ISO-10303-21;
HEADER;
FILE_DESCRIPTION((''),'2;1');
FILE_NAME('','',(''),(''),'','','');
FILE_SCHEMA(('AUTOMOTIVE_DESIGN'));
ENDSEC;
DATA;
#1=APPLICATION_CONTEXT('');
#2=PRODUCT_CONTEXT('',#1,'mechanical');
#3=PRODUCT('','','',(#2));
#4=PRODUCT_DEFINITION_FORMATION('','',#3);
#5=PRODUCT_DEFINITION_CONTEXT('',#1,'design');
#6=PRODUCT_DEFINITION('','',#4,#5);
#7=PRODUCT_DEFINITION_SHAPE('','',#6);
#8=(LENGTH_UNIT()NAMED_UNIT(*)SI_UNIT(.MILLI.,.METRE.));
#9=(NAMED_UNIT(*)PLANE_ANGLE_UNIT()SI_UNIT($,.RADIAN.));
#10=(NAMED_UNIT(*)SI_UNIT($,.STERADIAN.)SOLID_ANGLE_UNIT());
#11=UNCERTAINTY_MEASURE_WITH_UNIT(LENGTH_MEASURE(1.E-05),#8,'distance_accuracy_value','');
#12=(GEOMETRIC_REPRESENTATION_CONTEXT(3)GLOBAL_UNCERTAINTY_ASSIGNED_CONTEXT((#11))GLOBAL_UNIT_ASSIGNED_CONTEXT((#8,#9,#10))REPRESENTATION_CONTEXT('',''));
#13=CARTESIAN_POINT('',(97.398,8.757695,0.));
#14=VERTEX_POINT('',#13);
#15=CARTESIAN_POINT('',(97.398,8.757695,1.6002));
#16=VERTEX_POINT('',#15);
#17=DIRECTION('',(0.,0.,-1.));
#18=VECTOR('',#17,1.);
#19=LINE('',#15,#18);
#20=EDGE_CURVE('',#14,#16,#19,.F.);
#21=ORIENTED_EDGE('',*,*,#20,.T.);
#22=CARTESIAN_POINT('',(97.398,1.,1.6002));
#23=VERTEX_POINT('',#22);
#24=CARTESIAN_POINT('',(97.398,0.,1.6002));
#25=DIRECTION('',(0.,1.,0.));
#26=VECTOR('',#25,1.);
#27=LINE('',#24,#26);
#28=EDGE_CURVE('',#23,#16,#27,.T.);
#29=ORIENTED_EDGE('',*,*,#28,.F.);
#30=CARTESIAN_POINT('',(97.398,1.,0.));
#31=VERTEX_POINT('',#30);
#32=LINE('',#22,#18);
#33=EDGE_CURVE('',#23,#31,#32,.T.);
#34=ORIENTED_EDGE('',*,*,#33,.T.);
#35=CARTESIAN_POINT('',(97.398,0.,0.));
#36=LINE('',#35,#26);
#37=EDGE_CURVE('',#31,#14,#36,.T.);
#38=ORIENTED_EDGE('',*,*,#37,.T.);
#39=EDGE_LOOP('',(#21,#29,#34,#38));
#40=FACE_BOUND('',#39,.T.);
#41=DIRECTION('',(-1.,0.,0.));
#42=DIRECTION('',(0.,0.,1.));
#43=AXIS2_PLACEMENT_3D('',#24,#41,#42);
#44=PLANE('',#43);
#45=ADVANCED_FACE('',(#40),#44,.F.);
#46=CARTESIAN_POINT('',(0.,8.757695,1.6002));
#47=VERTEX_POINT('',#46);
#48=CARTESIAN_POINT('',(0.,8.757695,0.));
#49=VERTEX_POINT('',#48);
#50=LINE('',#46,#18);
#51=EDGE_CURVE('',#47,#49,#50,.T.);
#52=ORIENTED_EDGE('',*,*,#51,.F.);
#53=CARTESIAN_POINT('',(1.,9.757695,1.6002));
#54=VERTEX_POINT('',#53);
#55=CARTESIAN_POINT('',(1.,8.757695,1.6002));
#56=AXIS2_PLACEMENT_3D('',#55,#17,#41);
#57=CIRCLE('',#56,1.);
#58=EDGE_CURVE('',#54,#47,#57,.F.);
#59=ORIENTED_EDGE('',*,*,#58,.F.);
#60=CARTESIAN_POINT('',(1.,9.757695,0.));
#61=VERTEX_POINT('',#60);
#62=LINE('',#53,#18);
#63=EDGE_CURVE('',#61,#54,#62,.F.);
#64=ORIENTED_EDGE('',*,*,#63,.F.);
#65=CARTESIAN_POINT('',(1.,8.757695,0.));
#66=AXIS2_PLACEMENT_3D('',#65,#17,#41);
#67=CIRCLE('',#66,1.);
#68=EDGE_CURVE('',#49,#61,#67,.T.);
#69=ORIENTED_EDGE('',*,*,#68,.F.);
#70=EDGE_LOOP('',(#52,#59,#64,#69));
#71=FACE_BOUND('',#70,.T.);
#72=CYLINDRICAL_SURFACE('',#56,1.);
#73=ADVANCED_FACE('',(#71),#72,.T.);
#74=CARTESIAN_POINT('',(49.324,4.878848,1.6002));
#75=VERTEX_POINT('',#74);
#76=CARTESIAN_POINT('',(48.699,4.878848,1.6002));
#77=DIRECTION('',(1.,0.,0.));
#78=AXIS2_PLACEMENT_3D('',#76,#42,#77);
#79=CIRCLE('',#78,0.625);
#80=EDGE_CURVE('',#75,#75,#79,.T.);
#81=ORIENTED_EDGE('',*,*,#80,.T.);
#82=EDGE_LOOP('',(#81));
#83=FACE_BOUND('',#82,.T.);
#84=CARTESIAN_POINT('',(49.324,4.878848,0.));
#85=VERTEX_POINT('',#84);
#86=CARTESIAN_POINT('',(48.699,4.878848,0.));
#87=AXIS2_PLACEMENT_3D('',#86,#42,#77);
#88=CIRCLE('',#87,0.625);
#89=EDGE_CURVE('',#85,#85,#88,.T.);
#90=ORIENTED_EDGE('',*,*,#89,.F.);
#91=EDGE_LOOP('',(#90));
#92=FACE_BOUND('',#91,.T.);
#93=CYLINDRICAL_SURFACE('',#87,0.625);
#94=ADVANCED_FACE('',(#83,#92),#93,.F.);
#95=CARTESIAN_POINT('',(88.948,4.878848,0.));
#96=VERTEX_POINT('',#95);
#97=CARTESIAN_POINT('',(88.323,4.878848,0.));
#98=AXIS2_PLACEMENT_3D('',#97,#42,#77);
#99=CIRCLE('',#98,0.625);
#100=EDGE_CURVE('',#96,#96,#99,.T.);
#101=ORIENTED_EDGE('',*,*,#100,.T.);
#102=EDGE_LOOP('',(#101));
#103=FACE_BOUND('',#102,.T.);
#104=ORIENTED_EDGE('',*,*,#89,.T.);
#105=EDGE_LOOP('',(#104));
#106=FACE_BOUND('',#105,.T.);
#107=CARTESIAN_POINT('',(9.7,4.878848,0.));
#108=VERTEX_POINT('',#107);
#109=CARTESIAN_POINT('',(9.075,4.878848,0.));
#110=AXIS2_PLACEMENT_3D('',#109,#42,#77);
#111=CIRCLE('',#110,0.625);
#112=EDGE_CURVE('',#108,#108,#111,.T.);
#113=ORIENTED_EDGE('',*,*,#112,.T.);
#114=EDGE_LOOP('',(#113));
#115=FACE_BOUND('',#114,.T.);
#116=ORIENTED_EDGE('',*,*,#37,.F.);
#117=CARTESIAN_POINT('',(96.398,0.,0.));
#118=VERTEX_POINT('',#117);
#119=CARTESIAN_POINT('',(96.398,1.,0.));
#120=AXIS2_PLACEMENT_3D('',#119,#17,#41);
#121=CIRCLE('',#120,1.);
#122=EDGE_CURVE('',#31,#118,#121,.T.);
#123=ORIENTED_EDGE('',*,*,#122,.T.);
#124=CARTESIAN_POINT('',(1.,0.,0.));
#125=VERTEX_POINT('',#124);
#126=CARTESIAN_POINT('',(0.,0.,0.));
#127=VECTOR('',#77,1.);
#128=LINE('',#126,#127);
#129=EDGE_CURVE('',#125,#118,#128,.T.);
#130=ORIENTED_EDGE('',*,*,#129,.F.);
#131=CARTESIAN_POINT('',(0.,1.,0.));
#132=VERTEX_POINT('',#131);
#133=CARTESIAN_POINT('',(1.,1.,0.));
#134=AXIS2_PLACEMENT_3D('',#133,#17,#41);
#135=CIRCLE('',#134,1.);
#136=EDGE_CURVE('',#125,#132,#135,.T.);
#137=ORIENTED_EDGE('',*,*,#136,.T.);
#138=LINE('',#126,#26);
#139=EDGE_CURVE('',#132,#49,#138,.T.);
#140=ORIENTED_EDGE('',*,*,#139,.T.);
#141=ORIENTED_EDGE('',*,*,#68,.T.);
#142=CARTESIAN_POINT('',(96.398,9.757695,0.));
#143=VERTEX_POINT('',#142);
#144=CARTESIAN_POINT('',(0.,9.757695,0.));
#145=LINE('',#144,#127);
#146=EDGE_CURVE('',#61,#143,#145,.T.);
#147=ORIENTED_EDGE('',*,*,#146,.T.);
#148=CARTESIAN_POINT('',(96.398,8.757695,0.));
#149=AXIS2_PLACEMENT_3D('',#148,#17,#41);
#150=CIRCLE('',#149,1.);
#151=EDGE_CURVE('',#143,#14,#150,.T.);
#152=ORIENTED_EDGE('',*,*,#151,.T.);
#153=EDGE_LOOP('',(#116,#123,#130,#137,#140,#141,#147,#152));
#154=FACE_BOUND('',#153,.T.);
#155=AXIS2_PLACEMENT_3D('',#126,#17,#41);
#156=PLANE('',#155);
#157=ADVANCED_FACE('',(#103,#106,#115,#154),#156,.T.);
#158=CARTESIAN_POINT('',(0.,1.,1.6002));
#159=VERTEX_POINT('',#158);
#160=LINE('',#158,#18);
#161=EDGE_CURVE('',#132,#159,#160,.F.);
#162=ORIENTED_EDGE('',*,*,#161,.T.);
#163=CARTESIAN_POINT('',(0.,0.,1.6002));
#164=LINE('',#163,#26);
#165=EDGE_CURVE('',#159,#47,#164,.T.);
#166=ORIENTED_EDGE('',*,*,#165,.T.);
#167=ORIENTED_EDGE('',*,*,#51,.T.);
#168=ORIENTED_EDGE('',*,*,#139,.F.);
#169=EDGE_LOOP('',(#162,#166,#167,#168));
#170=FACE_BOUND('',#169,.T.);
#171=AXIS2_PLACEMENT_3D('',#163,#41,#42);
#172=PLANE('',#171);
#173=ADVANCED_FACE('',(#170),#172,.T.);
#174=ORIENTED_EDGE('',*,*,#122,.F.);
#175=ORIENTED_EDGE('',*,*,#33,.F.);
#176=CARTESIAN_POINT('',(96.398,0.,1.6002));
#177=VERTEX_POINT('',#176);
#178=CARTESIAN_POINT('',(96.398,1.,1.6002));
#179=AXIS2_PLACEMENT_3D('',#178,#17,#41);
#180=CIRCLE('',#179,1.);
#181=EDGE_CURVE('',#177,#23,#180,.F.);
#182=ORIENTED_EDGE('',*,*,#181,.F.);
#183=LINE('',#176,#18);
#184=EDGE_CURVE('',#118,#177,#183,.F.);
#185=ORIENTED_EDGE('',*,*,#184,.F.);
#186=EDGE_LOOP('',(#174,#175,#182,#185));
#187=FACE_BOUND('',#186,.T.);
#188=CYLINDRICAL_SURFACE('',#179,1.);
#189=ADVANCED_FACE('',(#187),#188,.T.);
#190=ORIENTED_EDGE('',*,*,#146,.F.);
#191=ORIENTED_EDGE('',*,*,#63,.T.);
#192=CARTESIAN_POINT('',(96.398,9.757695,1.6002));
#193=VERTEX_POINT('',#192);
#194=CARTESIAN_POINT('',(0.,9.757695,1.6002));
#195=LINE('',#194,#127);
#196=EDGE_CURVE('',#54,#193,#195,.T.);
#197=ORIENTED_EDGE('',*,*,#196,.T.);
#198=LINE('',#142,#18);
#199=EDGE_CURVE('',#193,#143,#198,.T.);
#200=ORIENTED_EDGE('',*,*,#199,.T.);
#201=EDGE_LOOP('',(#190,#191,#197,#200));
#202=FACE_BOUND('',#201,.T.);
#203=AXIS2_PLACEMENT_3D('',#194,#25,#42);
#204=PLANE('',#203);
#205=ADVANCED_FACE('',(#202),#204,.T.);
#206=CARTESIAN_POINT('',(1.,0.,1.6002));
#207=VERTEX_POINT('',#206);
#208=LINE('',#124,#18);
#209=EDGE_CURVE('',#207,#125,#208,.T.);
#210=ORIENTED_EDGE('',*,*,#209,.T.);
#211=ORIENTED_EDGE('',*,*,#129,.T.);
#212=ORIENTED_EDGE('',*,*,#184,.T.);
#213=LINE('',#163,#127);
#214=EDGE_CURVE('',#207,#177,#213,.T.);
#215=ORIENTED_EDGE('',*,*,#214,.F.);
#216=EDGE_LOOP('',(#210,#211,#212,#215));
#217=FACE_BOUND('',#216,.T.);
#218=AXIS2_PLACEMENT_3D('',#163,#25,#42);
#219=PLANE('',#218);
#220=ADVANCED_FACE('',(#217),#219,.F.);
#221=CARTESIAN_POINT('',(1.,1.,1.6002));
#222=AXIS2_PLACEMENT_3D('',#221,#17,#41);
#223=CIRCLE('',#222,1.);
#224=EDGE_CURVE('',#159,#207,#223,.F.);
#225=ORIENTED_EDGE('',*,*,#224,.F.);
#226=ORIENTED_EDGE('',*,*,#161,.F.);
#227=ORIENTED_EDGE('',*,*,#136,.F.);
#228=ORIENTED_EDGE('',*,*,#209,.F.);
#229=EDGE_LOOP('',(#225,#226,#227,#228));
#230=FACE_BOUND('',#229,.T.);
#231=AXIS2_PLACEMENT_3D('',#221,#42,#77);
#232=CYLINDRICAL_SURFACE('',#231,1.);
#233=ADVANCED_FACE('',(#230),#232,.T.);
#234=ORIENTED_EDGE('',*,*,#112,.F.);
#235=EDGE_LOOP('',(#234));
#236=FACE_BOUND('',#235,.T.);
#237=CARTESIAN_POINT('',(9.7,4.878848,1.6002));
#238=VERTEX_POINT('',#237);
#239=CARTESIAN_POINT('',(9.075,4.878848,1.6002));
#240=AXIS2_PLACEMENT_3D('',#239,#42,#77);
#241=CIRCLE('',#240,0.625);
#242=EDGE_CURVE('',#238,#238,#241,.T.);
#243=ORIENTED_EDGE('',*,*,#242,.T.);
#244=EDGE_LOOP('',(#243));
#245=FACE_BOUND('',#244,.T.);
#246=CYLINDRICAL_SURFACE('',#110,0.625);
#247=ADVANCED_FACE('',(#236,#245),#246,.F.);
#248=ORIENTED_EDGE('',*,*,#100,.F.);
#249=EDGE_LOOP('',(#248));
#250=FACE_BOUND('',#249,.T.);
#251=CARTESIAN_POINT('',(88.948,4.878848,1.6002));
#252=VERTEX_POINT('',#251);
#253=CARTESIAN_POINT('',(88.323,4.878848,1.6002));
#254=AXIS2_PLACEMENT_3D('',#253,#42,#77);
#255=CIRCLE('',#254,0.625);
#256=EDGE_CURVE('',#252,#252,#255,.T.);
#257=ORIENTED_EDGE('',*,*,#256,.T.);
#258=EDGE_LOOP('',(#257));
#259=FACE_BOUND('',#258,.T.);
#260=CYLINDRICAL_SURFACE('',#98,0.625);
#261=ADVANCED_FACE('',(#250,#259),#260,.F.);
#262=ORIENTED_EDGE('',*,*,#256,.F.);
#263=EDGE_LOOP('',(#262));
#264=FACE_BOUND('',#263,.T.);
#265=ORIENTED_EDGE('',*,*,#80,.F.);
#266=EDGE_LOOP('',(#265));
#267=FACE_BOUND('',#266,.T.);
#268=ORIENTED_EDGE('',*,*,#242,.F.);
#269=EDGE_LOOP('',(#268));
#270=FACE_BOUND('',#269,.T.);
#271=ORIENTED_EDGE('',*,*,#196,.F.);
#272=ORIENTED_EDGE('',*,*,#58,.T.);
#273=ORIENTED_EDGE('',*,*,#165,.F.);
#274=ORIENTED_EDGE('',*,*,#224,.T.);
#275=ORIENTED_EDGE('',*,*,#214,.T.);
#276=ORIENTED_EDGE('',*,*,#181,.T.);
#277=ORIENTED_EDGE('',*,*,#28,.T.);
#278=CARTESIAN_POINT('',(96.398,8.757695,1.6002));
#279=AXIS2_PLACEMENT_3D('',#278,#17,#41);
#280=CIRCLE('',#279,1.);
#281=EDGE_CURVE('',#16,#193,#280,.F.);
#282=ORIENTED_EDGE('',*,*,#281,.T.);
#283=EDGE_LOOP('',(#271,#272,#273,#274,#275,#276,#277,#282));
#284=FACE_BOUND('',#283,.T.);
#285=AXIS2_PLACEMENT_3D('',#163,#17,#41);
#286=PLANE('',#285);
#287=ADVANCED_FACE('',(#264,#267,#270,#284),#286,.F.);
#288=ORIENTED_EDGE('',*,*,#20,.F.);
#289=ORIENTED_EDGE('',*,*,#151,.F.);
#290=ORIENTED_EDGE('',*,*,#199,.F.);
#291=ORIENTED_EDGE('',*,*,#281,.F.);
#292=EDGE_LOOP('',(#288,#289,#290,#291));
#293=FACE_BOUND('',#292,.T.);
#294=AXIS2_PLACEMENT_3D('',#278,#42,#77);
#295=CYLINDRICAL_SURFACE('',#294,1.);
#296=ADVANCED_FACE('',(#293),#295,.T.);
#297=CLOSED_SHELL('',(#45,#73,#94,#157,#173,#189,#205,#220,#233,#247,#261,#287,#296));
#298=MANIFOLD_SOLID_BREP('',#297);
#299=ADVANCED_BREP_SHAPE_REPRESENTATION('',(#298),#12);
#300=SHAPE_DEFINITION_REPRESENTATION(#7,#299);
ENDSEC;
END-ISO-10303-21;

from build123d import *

# Parameters (mm, degrees)
SKETCH1_W           = 97.398000022
SKETCH1_H           = 9.757695242
BOSS_EXTRUDE1_DEPTH = 1.6002
SKETCH2_R           = 0.625
CUT_EXTRUDE1_DEPTH  = 98.898639749
FILLET1_R           = 1


with BuildPart() as part:
    # Sketch1 → Boss-Extrude1 (new body)
    with BuildSketch(Plane.XY):
        with Locations((48.699000011, 4.878847621)):
            Rectangle(SKETCH1_W, SKETCH1_H)
    extrude(amount=BOSS_EXTRUDE1_DEPTH)

    # Sketch2 → Cut-Extrude1 (cut, through all)
    with BuildSketch(Plane.XY.offset(1.6002)):
        with Locations((9.074999884, 4.878847621)):
            Circle(SKETCH2_R)
        with Locations((48.698999884, 4.878847621)):
            Circle(SKETCH2_R)
        with Locations((88.323000138, 4.878847621)):
            Circle(SKETCH2_R)
    extrude(amount=-CUT_EXTRUDE1_DEPTH, mode=Mode.SUBTRACT)

    # Fillet1
    fillet1_edges = [part.edges().sort_by_distance(p)[0] for p in [
        (0, 0, 0.8001),
        (97.398000022, 0, 0.8001),
        (97.398000022, 9.757695242, 0.8001),
        (0, 9.757695242, 0.8001),
    ]]
    fillet(fillet1_edges, radius=FILLET1_R)


solid = part.part
